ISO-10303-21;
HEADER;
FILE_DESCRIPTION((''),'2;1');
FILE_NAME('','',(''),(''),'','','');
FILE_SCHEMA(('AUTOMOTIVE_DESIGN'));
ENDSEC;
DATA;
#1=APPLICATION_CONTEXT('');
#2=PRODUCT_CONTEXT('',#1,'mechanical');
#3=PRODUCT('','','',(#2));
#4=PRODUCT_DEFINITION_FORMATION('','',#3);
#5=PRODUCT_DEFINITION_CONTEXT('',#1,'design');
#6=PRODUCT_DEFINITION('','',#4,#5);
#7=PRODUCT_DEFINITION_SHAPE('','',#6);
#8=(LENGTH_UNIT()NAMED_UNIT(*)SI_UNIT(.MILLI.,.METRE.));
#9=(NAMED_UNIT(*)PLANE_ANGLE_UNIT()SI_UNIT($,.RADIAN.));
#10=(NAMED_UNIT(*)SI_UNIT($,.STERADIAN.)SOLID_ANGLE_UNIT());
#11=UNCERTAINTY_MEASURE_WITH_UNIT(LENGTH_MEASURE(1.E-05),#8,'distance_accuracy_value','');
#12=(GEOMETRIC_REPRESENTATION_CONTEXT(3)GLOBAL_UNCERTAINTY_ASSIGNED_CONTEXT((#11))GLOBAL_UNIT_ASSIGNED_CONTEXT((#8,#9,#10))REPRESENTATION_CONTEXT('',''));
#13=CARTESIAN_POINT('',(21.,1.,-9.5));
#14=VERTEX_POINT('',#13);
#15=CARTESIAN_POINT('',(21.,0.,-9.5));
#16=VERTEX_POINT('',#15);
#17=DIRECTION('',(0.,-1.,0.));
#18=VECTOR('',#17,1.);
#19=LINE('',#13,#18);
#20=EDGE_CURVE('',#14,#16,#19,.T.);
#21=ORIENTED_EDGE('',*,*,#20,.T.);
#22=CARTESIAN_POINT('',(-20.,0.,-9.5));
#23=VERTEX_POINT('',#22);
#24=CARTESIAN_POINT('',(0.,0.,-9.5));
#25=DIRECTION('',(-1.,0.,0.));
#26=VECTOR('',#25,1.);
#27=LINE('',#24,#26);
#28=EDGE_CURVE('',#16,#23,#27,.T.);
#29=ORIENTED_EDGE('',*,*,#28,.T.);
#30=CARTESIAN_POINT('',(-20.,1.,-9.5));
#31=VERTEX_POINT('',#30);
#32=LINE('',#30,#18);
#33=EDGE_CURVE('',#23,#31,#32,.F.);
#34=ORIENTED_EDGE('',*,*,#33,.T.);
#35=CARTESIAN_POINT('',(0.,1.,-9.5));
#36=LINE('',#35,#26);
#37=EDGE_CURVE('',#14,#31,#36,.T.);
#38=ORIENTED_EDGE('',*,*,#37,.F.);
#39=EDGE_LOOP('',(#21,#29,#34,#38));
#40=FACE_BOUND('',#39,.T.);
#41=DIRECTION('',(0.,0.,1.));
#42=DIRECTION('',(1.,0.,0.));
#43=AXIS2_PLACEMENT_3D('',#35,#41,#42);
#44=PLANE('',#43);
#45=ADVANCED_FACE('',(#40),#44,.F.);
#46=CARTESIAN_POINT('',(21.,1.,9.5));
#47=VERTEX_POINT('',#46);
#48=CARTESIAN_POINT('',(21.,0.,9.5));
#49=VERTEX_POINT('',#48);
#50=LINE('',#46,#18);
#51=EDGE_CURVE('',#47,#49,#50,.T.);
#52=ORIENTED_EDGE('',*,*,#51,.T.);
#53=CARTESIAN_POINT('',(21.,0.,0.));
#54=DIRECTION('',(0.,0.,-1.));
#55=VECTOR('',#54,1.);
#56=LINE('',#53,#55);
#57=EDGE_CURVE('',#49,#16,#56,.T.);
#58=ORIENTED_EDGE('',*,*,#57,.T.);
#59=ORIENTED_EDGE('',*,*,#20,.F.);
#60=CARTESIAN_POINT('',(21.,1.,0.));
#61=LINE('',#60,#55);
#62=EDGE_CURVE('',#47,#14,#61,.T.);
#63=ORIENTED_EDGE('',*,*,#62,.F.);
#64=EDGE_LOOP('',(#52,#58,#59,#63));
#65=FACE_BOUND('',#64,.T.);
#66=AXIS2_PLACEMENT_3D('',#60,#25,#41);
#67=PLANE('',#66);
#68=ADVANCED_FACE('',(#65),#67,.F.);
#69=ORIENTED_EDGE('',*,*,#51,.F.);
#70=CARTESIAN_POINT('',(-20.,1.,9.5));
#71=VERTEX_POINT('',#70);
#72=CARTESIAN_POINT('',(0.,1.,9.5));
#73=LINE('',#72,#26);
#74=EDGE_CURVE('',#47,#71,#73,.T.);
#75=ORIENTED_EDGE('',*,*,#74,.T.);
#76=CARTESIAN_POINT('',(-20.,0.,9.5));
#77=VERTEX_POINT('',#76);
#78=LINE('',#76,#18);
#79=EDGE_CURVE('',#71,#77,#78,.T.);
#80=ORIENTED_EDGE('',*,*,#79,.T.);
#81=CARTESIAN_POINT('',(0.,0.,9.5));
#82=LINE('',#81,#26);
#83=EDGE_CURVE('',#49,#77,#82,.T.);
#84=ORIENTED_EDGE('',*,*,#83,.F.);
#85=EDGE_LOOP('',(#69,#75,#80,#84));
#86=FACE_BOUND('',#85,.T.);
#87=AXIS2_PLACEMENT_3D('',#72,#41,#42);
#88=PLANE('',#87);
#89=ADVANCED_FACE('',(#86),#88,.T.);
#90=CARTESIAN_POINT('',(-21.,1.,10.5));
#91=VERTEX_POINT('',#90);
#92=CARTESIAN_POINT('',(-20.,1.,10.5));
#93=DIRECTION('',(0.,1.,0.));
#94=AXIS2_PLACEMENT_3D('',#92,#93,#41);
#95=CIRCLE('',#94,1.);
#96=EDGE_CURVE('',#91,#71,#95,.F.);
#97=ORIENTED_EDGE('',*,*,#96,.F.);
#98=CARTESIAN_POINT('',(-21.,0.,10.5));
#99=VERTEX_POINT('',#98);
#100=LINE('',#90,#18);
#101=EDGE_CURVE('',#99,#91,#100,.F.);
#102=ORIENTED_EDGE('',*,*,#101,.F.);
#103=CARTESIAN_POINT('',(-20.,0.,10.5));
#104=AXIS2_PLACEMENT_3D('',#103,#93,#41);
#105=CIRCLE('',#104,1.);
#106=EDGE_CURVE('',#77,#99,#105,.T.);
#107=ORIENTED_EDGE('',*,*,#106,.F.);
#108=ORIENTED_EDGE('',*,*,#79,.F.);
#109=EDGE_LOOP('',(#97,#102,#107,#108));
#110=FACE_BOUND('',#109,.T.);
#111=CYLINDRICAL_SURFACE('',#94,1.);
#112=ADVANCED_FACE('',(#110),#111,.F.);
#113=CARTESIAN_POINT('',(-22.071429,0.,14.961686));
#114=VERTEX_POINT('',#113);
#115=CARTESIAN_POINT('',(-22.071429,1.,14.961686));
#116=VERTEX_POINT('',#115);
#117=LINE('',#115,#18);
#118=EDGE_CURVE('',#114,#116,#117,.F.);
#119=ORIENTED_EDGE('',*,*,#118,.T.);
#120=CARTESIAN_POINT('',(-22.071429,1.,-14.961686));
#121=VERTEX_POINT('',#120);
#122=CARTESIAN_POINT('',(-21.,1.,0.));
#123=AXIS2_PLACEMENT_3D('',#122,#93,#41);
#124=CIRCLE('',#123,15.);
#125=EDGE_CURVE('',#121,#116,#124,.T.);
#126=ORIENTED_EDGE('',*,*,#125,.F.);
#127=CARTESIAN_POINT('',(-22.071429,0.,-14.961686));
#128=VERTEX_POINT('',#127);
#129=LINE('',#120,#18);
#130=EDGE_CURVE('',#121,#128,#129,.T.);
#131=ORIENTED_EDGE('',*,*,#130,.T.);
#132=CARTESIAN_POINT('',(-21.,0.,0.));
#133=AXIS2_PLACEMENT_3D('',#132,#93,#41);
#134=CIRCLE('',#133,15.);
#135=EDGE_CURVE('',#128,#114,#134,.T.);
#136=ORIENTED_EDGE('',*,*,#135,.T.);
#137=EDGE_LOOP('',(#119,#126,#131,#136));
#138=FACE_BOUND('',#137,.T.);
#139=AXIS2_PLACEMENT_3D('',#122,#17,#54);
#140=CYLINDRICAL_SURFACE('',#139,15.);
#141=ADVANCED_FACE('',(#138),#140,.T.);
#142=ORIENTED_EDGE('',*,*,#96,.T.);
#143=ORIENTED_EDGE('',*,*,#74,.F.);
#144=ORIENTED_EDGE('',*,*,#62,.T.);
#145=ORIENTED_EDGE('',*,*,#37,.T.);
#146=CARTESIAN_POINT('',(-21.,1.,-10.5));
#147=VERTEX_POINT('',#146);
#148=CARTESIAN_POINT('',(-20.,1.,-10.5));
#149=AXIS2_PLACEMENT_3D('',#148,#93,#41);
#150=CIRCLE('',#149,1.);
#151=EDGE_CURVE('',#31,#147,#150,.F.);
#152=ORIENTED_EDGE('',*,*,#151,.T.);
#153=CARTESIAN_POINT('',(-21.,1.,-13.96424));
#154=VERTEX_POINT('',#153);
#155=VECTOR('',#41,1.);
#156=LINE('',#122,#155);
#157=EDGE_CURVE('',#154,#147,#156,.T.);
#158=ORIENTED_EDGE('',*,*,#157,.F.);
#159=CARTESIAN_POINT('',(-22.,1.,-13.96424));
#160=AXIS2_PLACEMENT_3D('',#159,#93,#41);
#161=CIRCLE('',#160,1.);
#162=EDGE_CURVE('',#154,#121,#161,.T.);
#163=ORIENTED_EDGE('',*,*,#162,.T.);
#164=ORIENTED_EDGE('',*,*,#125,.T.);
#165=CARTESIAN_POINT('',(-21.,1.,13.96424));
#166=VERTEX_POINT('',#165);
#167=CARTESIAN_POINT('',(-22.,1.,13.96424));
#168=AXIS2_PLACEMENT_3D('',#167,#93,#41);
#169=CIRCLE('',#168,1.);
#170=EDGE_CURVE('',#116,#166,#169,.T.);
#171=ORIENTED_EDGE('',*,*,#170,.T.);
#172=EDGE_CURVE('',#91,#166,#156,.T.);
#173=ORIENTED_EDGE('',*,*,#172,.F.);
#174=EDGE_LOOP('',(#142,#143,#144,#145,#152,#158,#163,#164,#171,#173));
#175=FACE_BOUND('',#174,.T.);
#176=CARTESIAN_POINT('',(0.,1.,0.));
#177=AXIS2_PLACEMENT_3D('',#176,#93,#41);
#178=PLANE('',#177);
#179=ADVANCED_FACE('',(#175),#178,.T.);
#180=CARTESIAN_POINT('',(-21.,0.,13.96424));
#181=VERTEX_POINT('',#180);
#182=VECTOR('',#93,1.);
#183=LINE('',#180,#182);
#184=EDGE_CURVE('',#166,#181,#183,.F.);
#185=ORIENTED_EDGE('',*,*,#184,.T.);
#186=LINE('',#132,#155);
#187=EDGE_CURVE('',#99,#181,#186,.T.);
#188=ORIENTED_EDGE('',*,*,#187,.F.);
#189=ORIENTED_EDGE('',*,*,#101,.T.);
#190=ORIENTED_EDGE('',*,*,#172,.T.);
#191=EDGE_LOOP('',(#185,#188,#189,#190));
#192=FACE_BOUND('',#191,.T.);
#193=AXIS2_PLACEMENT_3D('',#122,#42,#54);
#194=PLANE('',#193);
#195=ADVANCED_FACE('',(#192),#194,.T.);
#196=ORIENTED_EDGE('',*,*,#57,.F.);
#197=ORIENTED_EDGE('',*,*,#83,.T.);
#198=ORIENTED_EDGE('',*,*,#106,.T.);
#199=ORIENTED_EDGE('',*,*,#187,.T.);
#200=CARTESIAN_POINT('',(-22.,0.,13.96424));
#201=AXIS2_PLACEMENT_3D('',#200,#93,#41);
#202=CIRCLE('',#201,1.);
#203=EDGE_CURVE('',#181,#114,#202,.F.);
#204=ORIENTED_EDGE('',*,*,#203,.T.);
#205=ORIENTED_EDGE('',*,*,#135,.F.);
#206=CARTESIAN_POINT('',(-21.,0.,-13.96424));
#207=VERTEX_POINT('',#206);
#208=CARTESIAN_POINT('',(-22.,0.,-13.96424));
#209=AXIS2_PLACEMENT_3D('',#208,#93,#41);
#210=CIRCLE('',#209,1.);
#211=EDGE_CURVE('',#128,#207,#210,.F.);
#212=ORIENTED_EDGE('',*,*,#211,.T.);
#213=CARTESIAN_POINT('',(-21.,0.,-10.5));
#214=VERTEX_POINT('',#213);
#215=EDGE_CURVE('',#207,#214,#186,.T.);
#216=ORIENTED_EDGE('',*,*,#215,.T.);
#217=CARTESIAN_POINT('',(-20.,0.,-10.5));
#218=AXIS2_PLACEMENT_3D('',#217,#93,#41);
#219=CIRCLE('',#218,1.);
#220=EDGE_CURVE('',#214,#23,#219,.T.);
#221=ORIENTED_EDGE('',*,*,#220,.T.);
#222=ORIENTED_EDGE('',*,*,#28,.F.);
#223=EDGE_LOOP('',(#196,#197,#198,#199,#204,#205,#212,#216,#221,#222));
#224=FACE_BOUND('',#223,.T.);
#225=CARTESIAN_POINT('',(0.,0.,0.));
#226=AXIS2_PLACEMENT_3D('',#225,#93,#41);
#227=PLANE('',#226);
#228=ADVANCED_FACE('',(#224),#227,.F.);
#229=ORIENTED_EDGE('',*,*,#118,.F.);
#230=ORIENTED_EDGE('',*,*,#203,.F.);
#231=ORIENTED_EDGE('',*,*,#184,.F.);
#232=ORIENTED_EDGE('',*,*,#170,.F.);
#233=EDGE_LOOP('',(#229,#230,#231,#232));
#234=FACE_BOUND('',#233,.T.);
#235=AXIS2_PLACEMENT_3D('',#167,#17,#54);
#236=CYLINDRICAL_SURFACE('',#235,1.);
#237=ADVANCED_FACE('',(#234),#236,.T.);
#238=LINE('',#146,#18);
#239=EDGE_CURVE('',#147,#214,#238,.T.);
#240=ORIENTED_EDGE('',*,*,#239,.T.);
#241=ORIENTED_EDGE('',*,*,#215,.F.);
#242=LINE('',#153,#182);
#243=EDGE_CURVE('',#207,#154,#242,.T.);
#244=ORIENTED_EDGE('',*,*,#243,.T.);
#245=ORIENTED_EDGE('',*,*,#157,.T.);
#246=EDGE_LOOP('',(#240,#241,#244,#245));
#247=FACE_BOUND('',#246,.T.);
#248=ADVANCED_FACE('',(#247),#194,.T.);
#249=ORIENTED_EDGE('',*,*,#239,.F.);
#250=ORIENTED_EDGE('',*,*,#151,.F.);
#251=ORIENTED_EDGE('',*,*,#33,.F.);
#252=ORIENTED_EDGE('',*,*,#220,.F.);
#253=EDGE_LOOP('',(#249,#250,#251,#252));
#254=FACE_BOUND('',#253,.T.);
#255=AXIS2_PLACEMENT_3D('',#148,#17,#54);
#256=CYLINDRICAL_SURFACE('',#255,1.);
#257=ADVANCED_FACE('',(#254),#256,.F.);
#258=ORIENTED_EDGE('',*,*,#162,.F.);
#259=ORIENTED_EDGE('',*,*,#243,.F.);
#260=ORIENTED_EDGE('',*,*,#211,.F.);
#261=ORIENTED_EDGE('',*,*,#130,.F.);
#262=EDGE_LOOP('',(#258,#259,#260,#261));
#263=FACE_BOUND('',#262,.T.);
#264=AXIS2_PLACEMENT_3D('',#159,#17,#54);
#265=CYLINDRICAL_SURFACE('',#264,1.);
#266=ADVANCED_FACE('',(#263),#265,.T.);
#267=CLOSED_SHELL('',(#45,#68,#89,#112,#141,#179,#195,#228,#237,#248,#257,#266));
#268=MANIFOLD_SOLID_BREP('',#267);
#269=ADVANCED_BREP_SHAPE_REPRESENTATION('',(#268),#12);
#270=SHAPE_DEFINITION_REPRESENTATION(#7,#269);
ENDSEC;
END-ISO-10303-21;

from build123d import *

# Parameters (mm, degrees)
SKETCH1_W           = 42
SKETCH1_H           = 19
BOSS_EXTRUDE1_DEPTH = 1
FILLET1_R           = 1


with BuildPart() as part:
    # Sketch1 → Boss-Extrude1 (new body)
    with BuildSketch(Plane(origin=(0, 0, 0), x_dir=(1, 0, 0), z_dir=(0, 1, 0))):
        with BuildLine():
            Line((-21, 15), (-21, 9.5))
            Line((-21, 9.5), (-21, -9.5))
            Line((-21, -9.5), (-21, -15))
            ThreePointArc((-21, -15), (-36, 0), (-21, 15))
        make_face()
        Rectangle(SKETCH1_W, SKETCH1_H)
    extrude(amount=BOSS_EXTRUDE1_DEPTH)

    # Fillet1
    fillet1_edges = [part.edges().sort_by_distance(p)[0] for p in [
        (-21, 0.5, -9.5),
        (-21, 0.5, 9.5),
        (-21, 0.5, 15),
        (-21, 0.5, -15),
    ]]
    fillet(fillet1_edges, radius=FILLET1_R)


solid = part.part
